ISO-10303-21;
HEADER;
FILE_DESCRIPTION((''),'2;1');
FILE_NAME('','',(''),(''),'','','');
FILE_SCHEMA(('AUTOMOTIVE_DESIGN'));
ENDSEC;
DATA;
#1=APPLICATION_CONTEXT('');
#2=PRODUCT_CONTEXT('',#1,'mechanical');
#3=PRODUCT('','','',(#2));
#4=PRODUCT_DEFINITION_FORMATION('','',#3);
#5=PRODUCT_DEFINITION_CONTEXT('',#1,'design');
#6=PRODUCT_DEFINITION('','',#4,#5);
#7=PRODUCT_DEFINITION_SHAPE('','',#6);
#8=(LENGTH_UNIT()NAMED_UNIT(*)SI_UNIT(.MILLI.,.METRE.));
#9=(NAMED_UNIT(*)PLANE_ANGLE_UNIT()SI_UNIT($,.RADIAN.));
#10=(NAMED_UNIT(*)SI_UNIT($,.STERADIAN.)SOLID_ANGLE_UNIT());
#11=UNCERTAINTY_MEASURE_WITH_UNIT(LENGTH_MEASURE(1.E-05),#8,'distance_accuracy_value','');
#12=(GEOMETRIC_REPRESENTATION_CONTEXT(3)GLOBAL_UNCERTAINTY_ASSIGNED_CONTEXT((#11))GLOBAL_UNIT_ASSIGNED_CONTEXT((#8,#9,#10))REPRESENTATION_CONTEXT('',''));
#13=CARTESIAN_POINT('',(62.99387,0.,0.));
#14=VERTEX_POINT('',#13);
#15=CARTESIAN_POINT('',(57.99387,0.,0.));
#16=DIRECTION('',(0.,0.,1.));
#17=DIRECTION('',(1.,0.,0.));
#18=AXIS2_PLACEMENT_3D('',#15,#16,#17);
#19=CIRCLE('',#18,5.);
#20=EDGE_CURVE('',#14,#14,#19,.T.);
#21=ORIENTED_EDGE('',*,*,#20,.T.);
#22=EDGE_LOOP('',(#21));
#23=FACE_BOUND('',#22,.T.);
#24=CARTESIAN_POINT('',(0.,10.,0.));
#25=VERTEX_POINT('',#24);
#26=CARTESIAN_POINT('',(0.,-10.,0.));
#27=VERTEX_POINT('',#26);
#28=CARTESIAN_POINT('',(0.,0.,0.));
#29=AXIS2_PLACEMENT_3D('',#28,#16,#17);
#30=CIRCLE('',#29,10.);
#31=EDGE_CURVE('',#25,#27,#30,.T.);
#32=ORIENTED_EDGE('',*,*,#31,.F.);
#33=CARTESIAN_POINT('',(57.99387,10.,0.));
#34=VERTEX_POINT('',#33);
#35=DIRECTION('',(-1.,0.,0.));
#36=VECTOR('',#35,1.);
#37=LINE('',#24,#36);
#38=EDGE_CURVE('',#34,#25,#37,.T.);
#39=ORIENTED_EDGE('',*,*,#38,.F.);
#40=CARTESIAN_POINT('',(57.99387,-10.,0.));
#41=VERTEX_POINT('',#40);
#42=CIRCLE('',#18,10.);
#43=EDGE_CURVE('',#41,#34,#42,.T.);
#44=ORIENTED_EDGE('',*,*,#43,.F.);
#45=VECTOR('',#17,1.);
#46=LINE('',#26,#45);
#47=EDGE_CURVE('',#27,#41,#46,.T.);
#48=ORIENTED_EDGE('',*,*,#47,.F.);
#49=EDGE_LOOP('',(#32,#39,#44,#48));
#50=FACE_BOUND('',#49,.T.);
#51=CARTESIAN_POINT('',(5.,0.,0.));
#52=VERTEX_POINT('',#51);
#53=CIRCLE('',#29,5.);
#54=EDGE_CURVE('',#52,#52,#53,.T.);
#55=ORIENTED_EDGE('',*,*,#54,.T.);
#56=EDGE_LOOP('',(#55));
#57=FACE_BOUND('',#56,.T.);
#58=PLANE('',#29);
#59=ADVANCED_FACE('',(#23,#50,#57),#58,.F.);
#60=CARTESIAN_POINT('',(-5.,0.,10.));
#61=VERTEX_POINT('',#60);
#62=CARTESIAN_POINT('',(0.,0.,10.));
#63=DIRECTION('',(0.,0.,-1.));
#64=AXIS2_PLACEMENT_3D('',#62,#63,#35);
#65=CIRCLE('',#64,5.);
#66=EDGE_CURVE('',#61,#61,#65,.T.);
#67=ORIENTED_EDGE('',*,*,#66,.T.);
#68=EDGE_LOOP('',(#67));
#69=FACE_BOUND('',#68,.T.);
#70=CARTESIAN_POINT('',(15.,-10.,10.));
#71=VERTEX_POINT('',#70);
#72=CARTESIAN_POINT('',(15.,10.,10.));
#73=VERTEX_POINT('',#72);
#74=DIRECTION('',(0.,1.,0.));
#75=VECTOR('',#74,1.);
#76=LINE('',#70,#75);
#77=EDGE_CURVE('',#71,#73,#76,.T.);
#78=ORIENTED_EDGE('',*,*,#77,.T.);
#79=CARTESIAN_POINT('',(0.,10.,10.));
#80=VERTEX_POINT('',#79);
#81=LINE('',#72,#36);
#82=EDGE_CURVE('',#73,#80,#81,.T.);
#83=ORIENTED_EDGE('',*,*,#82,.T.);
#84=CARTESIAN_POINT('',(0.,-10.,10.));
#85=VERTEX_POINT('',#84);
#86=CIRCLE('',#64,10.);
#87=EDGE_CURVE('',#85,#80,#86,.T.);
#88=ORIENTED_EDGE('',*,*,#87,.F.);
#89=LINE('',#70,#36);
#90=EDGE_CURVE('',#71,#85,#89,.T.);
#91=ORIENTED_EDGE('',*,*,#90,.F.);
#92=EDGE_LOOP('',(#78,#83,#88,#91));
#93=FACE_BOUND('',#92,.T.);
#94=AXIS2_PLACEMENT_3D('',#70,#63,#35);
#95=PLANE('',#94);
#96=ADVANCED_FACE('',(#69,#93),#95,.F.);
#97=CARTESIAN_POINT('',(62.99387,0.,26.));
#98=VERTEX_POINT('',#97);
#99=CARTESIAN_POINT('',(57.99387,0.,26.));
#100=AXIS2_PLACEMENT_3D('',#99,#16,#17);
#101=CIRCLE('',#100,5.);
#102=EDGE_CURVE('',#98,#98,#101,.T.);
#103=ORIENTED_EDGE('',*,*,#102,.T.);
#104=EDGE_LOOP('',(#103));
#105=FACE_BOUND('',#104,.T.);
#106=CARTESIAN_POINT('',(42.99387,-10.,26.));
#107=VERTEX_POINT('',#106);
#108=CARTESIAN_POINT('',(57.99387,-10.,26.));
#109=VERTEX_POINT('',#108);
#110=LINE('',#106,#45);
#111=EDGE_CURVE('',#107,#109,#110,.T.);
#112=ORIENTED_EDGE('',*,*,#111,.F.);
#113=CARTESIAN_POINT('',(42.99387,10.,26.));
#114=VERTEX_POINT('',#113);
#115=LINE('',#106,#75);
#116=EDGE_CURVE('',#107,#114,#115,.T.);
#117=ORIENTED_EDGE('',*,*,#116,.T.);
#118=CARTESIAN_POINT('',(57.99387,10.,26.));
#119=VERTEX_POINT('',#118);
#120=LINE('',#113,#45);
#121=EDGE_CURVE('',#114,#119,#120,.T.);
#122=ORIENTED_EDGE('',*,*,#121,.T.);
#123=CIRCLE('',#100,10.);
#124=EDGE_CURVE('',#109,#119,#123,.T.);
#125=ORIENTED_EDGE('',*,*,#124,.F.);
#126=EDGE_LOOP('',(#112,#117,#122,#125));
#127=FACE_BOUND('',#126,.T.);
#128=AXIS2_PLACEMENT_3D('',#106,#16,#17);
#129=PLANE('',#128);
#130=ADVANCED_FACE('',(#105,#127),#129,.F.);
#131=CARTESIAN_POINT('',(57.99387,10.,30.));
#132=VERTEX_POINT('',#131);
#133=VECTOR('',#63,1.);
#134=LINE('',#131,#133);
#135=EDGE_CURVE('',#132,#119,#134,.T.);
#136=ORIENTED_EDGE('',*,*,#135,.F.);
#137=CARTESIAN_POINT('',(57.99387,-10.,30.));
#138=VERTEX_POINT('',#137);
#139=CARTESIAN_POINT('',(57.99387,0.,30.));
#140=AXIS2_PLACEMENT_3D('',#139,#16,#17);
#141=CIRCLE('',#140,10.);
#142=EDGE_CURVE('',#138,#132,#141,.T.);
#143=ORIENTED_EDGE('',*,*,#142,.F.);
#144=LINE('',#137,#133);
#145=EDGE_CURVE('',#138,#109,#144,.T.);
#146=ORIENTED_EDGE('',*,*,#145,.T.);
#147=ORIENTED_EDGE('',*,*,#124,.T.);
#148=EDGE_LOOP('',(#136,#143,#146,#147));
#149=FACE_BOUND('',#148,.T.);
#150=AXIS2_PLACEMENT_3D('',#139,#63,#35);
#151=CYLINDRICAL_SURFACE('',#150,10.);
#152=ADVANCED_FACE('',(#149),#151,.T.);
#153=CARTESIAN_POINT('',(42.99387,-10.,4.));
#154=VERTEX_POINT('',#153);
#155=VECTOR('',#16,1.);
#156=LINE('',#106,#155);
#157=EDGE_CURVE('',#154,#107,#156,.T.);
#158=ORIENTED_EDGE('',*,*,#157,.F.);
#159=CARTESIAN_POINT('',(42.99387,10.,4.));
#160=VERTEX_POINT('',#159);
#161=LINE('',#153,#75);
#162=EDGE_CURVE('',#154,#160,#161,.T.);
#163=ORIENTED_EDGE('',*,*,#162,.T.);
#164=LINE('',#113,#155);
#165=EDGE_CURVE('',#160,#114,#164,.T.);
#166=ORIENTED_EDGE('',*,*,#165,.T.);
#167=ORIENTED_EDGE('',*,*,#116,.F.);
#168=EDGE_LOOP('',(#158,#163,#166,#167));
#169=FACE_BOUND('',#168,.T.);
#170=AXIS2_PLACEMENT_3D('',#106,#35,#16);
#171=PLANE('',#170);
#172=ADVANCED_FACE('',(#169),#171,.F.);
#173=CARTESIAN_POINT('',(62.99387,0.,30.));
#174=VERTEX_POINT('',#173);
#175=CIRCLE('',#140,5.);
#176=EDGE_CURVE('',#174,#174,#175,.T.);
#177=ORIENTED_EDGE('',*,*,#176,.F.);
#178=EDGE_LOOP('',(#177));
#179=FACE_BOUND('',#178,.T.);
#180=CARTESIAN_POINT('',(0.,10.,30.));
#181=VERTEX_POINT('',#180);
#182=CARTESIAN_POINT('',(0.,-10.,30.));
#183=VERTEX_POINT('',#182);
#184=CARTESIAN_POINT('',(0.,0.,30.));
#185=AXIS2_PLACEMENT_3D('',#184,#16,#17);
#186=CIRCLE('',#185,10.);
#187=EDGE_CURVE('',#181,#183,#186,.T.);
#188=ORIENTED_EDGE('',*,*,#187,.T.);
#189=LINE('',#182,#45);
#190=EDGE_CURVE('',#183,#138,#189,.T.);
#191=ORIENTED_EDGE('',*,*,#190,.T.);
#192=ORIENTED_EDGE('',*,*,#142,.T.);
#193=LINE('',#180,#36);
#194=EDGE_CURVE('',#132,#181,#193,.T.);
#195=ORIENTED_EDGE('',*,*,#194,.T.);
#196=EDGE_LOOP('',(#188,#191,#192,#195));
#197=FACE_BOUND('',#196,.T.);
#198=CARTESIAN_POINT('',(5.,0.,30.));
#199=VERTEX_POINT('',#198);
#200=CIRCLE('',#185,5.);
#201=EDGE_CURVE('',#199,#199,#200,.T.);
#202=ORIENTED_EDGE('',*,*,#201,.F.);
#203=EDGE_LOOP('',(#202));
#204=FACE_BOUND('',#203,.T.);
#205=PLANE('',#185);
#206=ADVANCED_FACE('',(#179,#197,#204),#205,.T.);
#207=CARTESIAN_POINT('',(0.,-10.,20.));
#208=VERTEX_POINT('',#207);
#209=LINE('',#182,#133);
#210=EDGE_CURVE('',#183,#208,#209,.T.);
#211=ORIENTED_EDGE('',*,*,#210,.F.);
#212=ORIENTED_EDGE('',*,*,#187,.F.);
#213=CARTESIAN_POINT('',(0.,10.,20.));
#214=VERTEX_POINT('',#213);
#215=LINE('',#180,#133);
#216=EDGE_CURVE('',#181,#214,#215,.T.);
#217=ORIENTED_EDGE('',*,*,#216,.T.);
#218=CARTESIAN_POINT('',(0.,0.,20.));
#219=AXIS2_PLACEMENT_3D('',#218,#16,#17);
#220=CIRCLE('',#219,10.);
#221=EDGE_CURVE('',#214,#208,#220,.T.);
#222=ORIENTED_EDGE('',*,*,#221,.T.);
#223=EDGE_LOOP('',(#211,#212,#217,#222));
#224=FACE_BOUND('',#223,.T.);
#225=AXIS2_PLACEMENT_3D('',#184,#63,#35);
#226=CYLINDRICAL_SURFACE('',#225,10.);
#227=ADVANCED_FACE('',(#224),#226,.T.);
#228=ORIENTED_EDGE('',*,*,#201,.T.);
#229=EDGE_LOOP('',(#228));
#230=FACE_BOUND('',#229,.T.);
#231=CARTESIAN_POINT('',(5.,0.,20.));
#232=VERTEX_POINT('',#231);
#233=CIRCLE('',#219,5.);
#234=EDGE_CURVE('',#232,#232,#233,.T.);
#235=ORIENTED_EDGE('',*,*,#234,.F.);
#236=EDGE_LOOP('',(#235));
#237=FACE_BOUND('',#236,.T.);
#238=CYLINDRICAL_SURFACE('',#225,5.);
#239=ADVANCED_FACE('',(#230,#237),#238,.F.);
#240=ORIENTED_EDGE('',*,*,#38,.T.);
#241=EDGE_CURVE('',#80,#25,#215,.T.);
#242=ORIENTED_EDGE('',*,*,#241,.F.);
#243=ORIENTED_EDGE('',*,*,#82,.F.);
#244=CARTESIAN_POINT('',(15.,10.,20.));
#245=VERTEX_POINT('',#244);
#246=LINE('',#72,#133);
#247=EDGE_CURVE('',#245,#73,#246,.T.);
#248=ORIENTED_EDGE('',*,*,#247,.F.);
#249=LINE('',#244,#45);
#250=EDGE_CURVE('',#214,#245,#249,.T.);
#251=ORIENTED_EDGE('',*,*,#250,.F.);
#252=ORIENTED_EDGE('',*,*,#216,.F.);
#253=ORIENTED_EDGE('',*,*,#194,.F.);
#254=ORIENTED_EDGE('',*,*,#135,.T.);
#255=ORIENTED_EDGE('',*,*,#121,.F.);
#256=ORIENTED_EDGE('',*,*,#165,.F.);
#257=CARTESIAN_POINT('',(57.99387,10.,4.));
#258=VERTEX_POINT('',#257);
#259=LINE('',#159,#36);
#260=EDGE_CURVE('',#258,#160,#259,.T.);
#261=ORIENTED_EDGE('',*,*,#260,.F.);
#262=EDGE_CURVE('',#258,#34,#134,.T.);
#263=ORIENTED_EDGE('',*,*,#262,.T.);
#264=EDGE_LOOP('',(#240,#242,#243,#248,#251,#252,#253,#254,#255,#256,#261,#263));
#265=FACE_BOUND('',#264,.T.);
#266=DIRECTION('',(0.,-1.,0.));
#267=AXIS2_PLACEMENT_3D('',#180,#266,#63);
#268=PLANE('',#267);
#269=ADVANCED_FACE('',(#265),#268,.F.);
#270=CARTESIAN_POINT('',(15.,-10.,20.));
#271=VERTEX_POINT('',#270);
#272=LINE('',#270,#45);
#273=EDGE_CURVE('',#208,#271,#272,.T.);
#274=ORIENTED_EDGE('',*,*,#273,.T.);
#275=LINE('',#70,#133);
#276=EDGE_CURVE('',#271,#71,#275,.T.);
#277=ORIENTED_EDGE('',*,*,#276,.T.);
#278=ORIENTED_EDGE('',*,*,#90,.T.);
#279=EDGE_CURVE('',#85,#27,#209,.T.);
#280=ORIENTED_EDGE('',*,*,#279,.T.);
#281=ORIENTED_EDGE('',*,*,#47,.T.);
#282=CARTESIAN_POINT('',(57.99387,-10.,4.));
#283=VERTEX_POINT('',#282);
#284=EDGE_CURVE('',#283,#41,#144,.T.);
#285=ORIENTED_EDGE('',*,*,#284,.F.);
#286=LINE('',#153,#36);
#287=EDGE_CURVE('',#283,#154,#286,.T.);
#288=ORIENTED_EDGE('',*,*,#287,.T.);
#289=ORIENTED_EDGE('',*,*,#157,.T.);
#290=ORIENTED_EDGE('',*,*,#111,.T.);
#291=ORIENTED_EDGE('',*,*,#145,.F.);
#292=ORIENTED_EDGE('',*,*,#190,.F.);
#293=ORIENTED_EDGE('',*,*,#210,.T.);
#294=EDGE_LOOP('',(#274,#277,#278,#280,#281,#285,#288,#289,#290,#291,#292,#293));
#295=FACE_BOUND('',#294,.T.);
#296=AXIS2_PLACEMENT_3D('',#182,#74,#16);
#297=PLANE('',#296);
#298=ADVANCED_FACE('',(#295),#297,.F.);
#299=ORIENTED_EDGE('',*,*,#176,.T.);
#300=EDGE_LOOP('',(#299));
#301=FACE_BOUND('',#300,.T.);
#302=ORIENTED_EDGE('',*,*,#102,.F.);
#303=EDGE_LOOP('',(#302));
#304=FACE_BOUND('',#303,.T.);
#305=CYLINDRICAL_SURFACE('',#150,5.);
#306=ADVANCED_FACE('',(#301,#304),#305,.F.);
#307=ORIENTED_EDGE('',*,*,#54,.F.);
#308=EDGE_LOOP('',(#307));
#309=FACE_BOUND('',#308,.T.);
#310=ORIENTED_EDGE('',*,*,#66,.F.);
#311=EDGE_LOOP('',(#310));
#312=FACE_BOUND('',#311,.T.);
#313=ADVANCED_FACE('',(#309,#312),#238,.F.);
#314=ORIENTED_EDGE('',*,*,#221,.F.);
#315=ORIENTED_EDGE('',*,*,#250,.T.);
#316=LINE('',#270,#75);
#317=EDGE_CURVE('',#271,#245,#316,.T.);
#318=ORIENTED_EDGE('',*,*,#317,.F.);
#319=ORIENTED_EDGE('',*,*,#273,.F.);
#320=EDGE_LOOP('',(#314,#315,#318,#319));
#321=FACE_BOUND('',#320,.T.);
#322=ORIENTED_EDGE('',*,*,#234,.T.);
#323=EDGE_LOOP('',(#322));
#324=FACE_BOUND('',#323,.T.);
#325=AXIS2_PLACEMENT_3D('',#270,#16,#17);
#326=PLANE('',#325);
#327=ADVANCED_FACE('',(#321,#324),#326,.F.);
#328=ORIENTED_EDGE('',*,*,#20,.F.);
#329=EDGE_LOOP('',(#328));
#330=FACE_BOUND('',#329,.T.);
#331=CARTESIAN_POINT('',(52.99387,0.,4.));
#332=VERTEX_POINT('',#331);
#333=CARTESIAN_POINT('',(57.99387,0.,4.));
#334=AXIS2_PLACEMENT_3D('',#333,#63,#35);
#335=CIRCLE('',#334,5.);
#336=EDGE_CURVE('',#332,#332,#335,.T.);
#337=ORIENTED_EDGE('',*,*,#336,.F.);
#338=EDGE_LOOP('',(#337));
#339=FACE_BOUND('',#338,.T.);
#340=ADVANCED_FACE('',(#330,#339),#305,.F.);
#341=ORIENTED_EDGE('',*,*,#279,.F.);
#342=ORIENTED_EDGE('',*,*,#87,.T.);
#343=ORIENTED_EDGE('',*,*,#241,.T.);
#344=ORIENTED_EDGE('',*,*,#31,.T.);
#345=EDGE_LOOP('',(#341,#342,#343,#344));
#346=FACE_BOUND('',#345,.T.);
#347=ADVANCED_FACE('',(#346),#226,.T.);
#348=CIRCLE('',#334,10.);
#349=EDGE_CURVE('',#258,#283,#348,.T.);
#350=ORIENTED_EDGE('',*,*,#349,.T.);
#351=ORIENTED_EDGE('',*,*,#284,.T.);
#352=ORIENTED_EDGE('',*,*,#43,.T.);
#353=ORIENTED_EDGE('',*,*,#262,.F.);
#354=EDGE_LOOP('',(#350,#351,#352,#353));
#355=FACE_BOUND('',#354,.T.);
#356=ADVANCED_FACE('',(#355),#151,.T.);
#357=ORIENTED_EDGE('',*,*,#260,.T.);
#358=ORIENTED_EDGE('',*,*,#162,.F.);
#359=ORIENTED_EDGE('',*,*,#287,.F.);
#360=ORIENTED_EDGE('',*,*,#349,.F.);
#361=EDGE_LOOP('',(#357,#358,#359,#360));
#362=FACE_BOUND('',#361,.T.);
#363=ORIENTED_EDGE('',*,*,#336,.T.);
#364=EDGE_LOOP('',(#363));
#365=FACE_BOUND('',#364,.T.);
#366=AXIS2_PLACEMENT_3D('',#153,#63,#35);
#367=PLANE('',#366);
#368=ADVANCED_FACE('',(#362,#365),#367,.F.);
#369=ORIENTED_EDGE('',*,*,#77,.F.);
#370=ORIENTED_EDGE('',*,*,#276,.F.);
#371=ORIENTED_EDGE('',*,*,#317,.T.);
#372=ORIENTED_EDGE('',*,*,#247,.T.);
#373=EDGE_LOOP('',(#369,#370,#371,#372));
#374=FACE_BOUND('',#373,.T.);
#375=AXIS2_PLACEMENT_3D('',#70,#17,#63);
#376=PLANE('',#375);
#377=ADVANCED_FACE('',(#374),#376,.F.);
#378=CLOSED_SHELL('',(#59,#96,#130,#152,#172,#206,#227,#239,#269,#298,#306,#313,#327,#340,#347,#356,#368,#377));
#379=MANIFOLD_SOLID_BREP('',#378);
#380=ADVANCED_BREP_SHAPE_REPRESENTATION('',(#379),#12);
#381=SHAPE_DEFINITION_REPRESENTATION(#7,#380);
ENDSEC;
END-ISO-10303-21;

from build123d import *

# Parameters (mm, degrees)
SKETCH1_R           = 5
BOSS_EXTRUDE1_DEPTH = 30
SKETCH2_W           = 25
SKETCH2_H           = 10
SKETCH2_H_2         = 22
CUT_EXTRUDE1_DEPTH  = 77.962109955


with BuildPart() as part:
    # Sketch1 → Boss-Extrude1 (new body)
    with BuildSketch(Plane.XY):
        with BuildLine():
            Line((0, 10), (57.993870082, 10))
            ThreePointArc((57.993870082, 10), (67.993870082, 0), (57.993870082, -10))
            Line((57.993870082, -10), (0, -10))
            ThreePointArc((0, -10), (-10, 0), (0, 10))
        make_face()
        Circle(SKETCH1_R, mode=Mode.SUBTRACT)
        with Locations((57.993870082, 0)):
            Circle(SKETCH1_R, mode=Mode.SUBTRACT)
    extrude(amount=BOSS_EXTRUDE1_DEPTH)

    # Sketch2 → Cut-Extrude1 (cut, through all)
    with BuildSketch(Plane(origin=(0, 10, 0), x_dir=(1, 0, 0), z_dir=(0, 1, 0))):
        with Locations((2.5, -15)):
            Rectangle(SKETCH2_W, SKETCH2_H)
        with Locations((55.493870082, -15)):
            Rectangle(SKETCH2_W, SKETCH2_H_2)
    extrude(amount=-CUT_EXTRUDE1_DEPTH, mode=Mode.SUBTRACT)


solid = part.part
